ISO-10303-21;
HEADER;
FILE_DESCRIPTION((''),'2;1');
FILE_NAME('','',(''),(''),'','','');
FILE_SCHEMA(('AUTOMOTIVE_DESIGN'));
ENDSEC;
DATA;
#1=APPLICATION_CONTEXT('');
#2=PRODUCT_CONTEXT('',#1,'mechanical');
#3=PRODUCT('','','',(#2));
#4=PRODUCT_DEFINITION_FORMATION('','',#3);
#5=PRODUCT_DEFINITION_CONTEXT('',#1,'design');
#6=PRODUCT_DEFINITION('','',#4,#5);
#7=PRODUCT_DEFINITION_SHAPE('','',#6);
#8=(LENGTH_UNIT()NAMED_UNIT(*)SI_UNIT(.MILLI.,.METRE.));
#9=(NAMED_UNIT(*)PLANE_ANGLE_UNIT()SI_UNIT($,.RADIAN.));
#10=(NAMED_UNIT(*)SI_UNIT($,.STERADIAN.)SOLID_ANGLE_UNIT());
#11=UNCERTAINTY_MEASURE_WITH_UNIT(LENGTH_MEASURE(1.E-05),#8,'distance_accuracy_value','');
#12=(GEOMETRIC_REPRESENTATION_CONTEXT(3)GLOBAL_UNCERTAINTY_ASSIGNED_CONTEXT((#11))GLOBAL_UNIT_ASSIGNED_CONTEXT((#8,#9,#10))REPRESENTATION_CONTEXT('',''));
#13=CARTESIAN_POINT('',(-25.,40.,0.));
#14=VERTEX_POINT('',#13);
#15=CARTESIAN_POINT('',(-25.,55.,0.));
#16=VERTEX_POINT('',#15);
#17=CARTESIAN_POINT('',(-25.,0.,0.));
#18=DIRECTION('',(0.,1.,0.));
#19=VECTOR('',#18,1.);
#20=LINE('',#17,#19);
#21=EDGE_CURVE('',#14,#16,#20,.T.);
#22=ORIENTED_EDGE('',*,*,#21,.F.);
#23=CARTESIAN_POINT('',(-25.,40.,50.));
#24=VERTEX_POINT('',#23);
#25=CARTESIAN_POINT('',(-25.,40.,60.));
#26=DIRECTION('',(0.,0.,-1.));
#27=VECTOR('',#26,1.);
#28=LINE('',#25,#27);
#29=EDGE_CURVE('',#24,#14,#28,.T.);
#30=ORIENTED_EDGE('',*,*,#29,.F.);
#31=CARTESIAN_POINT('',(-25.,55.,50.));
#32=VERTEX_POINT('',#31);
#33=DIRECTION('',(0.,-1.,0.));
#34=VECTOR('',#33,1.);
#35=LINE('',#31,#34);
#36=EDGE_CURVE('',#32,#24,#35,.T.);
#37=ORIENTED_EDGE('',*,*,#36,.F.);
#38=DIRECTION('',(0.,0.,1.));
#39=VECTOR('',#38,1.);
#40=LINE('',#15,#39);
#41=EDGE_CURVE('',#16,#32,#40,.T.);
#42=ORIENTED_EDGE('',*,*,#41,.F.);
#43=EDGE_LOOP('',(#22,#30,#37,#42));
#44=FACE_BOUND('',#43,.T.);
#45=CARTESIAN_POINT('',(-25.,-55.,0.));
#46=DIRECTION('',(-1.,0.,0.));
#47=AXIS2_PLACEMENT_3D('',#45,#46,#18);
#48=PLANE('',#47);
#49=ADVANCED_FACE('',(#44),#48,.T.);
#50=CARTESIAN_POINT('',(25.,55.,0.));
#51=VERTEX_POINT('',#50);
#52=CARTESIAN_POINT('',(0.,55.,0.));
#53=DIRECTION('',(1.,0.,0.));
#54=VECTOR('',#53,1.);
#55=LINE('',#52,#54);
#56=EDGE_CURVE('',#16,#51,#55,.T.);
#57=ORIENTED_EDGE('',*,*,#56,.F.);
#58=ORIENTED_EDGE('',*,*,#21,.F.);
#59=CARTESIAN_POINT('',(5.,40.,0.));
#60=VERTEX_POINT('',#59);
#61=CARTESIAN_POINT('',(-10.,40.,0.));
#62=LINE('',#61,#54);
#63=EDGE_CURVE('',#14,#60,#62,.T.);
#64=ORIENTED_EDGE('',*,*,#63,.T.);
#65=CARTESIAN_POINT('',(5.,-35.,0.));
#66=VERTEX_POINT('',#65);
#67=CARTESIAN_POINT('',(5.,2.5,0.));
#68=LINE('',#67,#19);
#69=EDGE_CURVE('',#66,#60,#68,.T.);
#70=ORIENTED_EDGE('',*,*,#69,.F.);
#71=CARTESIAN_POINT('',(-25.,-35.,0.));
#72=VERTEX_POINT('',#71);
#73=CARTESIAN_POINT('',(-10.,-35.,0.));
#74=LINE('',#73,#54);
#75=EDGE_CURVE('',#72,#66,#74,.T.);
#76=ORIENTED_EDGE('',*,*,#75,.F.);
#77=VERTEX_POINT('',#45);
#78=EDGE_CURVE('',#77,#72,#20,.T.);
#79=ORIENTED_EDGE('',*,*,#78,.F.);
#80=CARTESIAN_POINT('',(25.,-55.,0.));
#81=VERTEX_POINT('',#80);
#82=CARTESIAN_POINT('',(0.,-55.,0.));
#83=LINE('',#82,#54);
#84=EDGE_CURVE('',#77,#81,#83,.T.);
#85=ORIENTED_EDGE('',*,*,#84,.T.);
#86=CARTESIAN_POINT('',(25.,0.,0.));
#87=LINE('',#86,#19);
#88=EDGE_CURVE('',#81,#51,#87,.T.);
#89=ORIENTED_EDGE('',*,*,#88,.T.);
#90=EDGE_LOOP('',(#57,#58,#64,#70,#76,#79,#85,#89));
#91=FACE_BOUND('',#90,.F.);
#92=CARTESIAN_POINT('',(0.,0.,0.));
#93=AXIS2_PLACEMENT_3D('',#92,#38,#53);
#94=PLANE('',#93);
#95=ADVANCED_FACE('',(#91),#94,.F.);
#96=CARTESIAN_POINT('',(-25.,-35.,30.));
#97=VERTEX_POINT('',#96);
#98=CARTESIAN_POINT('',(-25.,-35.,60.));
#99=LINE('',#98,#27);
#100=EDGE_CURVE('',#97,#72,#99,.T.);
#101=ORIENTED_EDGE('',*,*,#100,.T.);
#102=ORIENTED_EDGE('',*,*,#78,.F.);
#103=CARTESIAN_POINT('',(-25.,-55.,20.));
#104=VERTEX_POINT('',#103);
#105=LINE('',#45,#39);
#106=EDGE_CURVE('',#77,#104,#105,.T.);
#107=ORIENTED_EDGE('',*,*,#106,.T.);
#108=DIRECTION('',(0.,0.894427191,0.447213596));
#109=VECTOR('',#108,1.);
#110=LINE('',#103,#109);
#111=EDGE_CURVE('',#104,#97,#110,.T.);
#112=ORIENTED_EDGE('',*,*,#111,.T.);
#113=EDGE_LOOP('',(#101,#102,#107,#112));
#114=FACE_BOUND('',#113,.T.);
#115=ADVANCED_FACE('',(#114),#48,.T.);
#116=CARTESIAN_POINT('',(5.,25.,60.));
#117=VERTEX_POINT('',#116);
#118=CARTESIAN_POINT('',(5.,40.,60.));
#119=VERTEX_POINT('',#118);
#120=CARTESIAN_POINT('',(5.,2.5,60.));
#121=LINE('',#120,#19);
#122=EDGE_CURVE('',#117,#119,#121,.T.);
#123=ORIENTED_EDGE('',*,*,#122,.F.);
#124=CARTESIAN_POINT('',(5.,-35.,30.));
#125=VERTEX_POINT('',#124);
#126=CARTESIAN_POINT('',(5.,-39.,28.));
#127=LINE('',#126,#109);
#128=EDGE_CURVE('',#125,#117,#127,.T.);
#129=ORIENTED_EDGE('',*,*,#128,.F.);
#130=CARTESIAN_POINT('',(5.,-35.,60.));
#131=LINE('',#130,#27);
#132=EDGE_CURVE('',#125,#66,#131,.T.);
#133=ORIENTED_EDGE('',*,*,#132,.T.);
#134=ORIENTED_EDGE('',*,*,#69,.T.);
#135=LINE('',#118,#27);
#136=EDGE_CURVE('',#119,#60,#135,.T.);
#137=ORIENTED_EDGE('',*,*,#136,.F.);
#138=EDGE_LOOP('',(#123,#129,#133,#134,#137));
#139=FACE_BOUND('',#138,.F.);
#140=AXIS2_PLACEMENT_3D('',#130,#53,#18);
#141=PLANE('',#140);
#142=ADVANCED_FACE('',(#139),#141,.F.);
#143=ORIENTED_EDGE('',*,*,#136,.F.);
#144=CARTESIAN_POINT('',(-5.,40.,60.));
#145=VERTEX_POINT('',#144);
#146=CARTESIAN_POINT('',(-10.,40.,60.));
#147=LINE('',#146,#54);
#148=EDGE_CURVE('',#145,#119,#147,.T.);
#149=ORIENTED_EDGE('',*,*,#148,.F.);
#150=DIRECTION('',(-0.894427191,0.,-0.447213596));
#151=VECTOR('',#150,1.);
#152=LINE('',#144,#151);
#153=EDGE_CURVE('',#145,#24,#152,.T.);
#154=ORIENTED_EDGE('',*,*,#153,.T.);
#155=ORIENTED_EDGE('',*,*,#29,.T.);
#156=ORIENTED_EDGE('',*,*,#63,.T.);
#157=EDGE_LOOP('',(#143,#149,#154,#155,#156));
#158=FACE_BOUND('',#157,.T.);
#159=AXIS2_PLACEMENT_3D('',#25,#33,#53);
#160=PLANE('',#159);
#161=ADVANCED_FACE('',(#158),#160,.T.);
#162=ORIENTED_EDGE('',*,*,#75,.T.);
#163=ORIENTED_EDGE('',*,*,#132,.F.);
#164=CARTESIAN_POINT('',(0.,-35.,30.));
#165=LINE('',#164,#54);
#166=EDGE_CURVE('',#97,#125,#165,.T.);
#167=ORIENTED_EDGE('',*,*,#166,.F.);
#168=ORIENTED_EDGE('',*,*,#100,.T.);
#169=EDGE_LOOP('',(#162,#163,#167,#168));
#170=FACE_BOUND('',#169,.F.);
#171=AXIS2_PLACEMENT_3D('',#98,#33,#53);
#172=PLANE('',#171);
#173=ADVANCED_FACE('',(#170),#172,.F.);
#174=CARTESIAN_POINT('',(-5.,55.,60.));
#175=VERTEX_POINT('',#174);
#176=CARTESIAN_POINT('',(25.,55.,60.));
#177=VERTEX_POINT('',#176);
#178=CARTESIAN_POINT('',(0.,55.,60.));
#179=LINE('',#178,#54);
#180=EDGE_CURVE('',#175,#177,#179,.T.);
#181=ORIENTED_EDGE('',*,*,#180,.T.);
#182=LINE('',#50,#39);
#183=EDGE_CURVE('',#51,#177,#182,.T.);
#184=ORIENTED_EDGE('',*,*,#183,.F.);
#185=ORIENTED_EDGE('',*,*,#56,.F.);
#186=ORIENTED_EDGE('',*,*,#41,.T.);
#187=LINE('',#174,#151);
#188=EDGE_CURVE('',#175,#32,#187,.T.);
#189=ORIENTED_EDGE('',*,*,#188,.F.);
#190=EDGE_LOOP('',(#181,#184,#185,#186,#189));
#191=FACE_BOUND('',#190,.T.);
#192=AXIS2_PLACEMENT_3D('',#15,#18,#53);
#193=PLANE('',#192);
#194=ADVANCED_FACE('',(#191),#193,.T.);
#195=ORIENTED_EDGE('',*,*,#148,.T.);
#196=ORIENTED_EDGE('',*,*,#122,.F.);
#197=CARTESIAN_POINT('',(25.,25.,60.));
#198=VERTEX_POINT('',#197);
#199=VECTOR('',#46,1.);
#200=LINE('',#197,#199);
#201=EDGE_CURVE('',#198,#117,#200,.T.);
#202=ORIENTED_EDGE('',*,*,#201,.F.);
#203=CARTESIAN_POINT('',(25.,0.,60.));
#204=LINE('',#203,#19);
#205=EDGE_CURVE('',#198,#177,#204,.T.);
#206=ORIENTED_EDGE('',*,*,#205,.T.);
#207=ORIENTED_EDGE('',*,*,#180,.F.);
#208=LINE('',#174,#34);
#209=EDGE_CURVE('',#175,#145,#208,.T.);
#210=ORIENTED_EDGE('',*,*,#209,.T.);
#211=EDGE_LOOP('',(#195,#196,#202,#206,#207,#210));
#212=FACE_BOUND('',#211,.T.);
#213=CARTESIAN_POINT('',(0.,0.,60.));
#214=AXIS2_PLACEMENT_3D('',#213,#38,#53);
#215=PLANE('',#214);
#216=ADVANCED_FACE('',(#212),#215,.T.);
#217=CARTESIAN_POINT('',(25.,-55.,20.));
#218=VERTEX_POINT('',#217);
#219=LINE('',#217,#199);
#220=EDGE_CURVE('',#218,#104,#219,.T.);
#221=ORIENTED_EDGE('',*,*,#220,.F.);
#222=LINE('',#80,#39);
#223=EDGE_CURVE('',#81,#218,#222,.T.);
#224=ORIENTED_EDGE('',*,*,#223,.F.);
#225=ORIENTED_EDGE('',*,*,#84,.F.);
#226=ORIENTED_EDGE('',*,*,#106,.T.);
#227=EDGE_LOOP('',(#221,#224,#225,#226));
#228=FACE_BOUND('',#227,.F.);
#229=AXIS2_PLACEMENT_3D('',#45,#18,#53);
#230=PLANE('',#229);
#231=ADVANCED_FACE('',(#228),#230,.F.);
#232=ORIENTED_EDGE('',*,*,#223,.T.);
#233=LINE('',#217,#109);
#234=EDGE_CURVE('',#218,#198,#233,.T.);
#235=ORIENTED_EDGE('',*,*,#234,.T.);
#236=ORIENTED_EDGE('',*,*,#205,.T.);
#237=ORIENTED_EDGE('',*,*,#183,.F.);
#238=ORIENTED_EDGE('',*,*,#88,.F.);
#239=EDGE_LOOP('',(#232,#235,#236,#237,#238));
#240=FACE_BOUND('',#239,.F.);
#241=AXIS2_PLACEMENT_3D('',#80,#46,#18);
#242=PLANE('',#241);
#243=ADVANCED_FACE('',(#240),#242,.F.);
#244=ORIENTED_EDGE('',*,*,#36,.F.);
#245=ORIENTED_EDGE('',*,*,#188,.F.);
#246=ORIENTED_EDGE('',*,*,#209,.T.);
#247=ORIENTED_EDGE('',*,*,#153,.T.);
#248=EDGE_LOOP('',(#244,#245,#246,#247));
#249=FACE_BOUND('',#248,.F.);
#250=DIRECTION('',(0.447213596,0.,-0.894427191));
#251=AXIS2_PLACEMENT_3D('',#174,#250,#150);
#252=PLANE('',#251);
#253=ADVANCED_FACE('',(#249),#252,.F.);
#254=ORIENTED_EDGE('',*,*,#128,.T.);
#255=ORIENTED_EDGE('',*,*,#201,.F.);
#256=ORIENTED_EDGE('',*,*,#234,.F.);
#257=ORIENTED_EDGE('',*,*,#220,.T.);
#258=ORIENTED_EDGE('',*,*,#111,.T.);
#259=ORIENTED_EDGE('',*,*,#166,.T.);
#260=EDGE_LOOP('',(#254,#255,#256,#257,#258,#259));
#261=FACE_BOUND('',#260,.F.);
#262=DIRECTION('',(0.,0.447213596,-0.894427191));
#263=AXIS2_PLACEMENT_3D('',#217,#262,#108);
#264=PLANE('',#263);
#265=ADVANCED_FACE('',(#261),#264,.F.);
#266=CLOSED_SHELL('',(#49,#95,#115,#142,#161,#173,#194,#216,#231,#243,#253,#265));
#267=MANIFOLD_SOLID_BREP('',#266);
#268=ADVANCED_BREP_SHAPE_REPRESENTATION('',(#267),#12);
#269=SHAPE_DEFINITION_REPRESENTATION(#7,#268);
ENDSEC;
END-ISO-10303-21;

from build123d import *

# Parameters (mm, degrees)
F1_W     = 50
F1_H     = 110
F2_DEPTH = 60
F3_W     = 30
F3_H     = 75
F4_DEPTH = 60
F6_DEPTH = 15
F8_DEPTH = 50


with BuildPart() as f2:
    # F1 (on Top) → F2 (new body)
    with BuildSketch(Plane.XY):
        Rectangle(F1_W, F1_H)
    extrude(amount=F2_DEPTH)

    # F3 (on face) → F4 (cut)
    with BuildSketch(Plane.XY.offset(60)):
        with Locations((-10, 2.5)):
            Rectangle(F3_W, F3_H)
    extrude(amount=-F4_DEPTH, mode=Mode.SUBTRACT)

    # F5 (on face) → F6 (cut)
    with BuildSketch(Plane(origin=(0, 55, 0), x_dir=(-1, 0, 0), z_dir=(0, 1, 0))):
        Polygon((5, 60), (25, 50), (25, 60), align=None)
    extrude(amount=-F6_DEPTH, mode=Mode.SUBTRACT)

    # F7 (on face) → F8 (cut)
    with BuildSketch(Plane.YZ.offset(25)):
        Polygon((-55, 20), (25, 60), (-55, 60), align=None)
    extrude(amount=-F8_DEPTH, mode=Mode.SUBTRACT)


solid = f2.part
